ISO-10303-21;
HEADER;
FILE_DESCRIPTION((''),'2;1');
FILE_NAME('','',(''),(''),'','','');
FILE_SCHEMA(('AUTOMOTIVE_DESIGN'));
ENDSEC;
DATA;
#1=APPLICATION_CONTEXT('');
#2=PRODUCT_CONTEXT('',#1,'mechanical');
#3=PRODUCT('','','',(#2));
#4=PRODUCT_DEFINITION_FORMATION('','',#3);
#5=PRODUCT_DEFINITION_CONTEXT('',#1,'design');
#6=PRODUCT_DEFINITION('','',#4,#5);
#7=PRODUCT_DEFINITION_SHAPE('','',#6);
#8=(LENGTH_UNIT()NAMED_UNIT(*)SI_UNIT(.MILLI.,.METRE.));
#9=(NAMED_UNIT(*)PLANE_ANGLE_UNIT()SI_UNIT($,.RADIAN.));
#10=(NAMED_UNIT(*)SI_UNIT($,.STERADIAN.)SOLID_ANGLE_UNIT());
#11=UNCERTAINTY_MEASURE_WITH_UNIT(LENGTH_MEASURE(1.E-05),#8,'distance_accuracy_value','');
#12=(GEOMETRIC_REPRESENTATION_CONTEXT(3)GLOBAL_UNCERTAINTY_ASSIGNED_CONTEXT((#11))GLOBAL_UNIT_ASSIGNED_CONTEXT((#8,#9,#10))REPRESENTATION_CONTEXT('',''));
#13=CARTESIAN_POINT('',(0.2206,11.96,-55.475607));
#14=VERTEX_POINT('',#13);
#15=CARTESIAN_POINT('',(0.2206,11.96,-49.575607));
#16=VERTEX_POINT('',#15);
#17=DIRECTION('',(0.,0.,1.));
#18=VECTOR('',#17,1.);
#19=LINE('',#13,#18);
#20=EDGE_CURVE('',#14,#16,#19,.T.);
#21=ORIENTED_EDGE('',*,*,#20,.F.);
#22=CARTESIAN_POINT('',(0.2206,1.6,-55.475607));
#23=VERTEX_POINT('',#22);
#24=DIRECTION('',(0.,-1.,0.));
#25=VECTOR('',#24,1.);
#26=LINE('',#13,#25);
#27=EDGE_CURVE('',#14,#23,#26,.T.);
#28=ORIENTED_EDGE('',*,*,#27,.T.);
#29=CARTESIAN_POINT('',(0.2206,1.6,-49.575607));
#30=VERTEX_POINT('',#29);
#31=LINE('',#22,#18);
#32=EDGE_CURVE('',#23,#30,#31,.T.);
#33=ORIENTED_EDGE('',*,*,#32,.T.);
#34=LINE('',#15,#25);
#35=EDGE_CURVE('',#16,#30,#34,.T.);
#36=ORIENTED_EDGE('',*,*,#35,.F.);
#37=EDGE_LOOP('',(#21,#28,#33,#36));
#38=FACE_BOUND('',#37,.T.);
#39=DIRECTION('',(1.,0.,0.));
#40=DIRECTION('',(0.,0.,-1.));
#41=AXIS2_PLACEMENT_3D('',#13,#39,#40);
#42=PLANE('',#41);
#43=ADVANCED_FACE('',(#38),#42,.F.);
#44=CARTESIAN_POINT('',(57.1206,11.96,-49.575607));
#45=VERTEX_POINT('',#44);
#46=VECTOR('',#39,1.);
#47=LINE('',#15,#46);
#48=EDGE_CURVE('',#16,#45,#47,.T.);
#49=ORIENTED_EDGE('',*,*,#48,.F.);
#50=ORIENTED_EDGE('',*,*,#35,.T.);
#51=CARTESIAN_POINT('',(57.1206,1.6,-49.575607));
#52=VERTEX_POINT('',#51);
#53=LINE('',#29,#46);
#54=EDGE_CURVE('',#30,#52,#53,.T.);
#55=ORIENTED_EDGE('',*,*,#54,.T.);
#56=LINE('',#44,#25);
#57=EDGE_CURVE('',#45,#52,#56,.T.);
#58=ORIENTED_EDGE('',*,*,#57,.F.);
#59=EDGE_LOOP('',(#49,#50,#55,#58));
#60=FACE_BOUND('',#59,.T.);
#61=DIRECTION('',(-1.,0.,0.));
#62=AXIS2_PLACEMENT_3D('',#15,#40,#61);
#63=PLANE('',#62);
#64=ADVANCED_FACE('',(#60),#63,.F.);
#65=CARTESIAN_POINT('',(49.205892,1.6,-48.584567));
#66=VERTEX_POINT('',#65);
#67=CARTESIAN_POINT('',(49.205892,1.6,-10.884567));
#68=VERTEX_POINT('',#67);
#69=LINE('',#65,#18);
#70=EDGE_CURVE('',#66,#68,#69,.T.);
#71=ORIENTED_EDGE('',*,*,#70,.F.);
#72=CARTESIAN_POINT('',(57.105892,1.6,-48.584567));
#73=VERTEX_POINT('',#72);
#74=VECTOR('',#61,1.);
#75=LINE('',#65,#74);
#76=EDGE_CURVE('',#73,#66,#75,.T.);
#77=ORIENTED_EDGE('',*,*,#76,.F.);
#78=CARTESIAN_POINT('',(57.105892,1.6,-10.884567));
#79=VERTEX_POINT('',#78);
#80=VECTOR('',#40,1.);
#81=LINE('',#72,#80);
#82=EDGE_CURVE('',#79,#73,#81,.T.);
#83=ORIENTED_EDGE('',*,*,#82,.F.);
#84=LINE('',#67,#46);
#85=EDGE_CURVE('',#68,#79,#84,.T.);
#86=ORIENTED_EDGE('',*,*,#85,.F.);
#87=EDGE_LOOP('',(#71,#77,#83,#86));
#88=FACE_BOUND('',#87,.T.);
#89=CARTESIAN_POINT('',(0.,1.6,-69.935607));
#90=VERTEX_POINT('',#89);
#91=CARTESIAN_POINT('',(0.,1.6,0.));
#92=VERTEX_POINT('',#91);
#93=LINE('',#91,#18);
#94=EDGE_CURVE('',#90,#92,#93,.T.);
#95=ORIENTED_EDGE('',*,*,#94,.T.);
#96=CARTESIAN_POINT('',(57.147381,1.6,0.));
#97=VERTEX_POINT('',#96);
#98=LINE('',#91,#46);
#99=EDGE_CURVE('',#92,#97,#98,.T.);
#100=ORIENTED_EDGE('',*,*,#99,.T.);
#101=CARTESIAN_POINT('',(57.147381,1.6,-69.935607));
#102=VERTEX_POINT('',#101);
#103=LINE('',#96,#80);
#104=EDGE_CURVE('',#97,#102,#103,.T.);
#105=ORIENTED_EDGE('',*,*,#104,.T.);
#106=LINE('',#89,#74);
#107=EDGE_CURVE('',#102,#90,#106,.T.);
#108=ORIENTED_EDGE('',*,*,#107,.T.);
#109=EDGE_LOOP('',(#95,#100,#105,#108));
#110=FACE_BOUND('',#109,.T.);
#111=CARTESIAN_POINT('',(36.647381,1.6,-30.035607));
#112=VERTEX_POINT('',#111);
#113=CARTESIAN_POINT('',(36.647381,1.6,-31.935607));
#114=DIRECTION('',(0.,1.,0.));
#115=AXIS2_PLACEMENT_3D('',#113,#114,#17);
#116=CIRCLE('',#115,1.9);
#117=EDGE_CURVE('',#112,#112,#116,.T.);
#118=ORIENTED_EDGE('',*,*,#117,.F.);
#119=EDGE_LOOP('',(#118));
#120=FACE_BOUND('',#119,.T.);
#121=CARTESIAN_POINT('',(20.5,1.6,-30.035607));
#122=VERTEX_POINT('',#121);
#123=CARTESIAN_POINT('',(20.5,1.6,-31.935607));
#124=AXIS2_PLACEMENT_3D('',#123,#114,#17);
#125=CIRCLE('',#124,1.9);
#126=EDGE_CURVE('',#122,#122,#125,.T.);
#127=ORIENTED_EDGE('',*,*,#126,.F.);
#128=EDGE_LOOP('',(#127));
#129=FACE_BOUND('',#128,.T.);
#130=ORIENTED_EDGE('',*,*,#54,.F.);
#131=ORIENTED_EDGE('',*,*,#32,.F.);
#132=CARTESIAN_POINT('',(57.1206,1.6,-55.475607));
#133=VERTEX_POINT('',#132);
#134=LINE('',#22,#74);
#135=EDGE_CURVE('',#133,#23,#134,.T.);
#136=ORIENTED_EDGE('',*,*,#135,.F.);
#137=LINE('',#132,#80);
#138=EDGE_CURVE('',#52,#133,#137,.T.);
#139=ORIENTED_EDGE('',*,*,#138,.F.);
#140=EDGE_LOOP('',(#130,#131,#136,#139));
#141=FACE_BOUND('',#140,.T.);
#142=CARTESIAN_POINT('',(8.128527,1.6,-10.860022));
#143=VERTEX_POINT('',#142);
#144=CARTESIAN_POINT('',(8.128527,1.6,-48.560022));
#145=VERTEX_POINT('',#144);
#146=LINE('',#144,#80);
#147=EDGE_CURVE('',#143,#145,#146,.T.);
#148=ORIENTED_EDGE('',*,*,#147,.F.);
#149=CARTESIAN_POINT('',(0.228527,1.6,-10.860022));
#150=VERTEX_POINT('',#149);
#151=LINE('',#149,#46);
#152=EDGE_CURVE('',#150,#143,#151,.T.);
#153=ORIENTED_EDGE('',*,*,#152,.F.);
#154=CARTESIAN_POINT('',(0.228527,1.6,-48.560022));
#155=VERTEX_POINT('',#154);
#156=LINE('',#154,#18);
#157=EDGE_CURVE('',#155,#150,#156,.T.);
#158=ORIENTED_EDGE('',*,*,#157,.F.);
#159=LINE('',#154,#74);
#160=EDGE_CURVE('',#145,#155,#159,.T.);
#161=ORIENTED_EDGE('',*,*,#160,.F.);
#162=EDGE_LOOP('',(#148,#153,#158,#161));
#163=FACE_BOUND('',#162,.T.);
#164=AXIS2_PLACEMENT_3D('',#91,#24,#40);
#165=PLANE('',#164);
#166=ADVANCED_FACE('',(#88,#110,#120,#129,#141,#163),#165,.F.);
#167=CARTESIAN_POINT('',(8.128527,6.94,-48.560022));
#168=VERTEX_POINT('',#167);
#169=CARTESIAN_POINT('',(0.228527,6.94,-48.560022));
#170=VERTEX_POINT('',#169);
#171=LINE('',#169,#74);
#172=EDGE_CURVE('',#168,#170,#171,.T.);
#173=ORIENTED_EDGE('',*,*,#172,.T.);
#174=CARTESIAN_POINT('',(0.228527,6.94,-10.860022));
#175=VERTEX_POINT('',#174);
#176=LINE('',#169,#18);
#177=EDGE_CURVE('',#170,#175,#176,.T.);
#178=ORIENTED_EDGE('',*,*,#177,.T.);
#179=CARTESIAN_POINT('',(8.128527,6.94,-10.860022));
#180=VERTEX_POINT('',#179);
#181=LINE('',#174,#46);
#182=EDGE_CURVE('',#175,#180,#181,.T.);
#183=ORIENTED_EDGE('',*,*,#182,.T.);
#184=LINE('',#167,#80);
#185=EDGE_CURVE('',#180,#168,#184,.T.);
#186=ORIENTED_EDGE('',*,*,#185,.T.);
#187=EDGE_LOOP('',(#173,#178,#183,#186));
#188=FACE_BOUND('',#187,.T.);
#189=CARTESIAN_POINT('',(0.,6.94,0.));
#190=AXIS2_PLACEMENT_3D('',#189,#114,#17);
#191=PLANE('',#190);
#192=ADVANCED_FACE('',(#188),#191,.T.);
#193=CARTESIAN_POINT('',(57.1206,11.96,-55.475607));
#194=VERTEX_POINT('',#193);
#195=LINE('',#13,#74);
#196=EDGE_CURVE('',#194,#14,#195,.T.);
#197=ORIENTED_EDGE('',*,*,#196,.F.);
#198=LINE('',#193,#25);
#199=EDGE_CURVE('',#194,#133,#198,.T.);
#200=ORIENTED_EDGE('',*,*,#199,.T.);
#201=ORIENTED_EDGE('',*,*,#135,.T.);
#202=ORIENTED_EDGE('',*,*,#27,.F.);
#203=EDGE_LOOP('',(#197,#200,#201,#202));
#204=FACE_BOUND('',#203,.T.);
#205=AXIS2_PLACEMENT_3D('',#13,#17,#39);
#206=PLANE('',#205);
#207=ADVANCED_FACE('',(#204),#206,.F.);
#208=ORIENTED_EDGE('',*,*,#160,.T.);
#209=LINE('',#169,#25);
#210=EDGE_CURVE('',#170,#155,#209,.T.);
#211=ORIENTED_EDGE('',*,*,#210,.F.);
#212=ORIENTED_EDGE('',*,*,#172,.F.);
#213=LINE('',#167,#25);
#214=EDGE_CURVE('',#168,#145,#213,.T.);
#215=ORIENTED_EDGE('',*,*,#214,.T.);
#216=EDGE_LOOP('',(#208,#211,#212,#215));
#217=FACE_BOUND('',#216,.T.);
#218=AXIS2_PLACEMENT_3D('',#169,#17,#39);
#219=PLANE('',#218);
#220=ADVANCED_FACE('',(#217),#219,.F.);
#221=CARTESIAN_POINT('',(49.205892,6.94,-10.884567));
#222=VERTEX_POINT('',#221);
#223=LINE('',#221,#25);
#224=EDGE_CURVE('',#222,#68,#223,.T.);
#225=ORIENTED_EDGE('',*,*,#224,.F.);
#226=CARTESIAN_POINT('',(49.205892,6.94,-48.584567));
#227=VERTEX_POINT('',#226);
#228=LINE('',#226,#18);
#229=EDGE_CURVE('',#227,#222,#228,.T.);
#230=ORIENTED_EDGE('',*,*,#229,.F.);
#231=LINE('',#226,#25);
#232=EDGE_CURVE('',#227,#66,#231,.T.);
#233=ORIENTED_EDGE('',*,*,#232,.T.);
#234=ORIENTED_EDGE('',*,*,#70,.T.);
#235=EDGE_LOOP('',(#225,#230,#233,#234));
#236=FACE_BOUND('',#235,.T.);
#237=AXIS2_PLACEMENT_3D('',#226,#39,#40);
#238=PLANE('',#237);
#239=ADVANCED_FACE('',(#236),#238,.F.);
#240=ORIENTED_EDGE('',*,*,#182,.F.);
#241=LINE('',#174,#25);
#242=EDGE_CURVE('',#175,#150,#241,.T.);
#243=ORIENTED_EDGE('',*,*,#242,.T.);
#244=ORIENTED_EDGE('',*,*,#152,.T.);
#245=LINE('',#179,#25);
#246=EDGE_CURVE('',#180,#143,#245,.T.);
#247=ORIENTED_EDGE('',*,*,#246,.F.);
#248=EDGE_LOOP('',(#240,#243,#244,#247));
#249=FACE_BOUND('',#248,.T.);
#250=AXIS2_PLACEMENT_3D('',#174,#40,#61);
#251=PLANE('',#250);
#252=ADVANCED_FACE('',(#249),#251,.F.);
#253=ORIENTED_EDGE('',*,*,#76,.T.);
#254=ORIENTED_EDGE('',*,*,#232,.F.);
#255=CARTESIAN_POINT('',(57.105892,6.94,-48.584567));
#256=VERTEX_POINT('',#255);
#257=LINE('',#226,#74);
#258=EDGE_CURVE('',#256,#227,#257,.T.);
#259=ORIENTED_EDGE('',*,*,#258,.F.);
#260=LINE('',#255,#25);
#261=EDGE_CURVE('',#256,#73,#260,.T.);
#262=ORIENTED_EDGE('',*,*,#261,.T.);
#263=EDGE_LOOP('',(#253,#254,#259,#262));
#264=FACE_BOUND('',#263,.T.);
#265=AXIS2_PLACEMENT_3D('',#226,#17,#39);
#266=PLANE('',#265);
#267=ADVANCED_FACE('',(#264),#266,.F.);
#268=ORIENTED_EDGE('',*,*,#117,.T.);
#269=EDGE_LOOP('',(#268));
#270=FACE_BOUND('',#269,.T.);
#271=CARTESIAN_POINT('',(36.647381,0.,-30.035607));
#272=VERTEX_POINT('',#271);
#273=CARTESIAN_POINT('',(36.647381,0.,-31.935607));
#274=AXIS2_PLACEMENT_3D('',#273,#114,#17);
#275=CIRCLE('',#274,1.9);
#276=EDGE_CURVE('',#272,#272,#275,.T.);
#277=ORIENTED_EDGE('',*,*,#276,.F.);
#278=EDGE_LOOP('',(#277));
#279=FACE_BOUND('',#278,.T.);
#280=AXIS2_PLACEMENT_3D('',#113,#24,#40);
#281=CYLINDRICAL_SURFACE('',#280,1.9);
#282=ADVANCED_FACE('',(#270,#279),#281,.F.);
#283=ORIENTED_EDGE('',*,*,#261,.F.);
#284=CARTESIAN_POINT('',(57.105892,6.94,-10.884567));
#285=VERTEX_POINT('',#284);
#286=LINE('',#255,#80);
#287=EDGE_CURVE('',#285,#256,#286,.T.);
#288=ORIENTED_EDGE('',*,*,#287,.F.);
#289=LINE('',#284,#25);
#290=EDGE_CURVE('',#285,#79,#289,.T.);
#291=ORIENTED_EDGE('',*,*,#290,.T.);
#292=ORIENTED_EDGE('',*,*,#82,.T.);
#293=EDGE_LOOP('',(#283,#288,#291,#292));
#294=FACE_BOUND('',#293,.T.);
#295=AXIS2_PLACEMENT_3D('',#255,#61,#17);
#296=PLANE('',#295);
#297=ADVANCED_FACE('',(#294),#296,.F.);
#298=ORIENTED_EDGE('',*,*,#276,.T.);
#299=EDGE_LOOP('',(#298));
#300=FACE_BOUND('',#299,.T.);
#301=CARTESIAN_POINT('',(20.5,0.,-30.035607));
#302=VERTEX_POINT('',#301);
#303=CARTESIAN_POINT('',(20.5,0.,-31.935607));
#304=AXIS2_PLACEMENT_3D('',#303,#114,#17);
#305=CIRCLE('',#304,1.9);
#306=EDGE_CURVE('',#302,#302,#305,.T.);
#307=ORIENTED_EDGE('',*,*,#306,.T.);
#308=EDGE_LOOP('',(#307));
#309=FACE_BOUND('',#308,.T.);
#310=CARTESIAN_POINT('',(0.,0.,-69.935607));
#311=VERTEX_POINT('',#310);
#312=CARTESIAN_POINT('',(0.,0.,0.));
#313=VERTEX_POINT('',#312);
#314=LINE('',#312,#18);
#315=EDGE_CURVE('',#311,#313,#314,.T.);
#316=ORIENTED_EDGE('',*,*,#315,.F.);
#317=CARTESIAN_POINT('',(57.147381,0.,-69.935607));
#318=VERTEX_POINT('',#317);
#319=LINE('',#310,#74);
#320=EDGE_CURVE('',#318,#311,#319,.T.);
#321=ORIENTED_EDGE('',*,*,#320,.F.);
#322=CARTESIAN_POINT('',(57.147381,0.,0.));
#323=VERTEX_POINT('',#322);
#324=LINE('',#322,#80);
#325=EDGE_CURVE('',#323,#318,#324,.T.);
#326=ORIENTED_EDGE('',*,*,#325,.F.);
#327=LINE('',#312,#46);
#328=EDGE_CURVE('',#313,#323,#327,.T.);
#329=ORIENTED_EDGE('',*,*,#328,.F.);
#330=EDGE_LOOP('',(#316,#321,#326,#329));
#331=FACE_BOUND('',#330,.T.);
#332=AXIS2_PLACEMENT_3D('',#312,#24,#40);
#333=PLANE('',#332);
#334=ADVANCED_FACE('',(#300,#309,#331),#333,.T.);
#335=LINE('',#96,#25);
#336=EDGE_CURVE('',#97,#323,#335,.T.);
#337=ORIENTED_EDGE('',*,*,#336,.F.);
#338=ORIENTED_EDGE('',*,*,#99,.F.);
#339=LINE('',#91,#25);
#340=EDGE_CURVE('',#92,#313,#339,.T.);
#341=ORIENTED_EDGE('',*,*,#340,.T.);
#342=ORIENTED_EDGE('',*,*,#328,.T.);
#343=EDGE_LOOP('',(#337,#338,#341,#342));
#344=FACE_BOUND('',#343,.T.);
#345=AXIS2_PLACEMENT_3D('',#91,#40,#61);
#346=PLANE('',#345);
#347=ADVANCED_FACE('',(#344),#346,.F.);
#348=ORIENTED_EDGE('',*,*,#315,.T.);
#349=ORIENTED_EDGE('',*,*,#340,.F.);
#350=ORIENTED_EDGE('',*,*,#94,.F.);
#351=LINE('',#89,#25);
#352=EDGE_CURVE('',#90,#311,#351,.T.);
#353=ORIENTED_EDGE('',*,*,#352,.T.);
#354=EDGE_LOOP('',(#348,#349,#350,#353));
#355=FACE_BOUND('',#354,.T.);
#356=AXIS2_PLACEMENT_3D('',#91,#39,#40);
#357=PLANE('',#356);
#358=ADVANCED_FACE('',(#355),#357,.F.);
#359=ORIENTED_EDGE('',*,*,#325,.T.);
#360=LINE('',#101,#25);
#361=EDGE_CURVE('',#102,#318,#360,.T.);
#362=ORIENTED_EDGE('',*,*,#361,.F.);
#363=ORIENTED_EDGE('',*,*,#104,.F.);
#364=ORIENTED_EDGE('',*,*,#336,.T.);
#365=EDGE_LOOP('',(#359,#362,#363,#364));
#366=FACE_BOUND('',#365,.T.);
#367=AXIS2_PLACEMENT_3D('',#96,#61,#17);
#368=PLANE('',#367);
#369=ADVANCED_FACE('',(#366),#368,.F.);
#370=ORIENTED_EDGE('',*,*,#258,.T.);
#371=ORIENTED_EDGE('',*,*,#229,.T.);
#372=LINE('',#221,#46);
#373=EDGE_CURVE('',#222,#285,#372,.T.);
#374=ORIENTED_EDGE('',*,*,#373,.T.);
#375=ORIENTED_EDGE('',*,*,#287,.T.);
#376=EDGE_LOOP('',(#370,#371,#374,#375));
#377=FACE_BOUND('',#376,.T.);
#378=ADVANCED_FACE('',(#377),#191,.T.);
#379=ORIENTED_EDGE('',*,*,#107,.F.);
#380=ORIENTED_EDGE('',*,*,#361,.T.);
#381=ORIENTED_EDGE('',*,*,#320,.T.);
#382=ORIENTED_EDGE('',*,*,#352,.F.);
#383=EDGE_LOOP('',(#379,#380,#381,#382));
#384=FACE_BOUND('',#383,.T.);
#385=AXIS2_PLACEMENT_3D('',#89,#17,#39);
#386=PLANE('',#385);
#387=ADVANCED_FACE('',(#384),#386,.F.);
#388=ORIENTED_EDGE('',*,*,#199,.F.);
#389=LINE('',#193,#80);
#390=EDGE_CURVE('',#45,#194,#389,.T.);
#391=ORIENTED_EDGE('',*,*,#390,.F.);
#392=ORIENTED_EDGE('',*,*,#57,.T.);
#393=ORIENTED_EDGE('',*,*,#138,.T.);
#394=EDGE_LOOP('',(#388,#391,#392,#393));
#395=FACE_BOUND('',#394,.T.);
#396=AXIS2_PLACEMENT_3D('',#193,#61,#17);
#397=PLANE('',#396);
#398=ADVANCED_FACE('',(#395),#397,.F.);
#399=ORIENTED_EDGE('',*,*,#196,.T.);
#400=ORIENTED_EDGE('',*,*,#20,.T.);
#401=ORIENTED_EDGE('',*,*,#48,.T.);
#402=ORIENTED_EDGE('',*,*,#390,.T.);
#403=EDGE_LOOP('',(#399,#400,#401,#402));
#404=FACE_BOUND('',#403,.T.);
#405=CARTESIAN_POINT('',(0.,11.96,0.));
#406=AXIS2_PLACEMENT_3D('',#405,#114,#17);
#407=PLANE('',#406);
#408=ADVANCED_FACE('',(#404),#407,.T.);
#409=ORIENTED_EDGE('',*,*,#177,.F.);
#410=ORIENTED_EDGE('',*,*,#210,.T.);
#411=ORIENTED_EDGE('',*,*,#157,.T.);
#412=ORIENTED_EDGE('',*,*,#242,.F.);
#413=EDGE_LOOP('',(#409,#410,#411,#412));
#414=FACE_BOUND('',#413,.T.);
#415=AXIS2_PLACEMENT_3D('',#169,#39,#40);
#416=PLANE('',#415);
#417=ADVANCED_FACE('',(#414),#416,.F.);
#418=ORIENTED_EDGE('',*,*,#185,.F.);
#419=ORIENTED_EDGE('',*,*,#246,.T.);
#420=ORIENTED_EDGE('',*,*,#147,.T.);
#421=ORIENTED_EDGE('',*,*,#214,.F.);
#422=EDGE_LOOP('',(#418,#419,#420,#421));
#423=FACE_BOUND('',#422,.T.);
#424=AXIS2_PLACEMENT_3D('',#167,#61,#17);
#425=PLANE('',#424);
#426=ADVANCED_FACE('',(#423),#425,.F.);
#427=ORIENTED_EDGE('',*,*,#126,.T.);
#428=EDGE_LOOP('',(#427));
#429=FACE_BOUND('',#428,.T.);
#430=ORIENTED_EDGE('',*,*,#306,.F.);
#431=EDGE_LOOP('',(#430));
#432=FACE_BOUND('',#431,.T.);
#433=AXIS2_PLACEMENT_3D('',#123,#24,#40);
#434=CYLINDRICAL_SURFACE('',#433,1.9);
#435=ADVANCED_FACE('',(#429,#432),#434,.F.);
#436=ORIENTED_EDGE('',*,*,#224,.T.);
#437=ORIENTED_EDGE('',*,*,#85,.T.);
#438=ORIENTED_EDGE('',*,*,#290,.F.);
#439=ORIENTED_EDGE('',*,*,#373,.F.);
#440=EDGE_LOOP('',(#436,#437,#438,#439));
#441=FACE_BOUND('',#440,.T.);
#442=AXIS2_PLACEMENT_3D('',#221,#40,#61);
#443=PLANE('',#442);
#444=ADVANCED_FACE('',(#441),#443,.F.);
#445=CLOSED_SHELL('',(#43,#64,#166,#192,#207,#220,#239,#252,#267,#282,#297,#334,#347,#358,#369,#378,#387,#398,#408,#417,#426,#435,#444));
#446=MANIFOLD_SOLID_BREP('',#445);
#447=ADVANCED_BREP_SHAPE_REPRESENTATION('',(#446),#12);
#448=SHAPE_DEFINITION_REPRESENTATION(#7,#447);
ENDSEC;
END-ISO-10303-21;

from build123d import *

# Parameters (mm, degrees)
ESQUISSE1_W        = 57.14738142
ESQUISSE1_H        = 69.935606632
ESQUISSE1_R        = 1.9
BOSS_EXTRU_7_DEPTH = 1.6
ESQUISSE6_W        = 7.9
ESQUISSE6_H        = 37.7
BOSS_EXTRU_8_DEPTH = 5.34
ESQUISSE7_W        = 56.9
ESQUISSE7_H        = 5.9
BOSS_EXTRU_9_DEPTH = 10.36


with BuildPart() as part:
    # Esquisse1 → Boss.-Extru.7 (new body)
    with BuildSketch(Plane(origin=(0, 0, 0), x_dir=(1, 0, 0), z_dir=(0, 1, 0))):
        with Locations((28.57369071, 34.967803316)):
            Rectangle(ESQUISSE1_W, ESQUISSE1_H)
        with Locations((20.5, 31.935606632)):
            Circle(ESQUISSE1_R, mode=Mode.SUBTRACT)
        with Locations((36.64738142, 31.935606632)):
            Circle(ESQUISSE1_R, mode=Mode.SUBTRACT)
    extrude(amount=BOSS_EXTRU_7_DEPTH)

    # Esquisse6 → Boss.-Extru.8 (add)
    with BuildSketch(Plane(origin=(0, 1.6, 0), x_dir=(1, 0, 0), z_dir=(0, 1, 0))):
        with Locations((53.155892473, 29.734566664)):
            Rectangle(ESQUISSE6_W, ESQUISSE6_H)
        with Locations((4.178526772, 29.710022265)):
            Rectangle(ESQUISSE6_W, ESQUISSE6_H)
    extrude(amount=BOSS_EXTRU_8_DEPTH)

    # Esquisse7 → Boss.-Extru.9 (add)
    with BuildSketch(Plane(origin=(0, 1.6, 0), x_dir=(1, 0, 0), z_dir=(0, 1, 0))):
        with Locations((28.670599558, 52.525606632)):
            Rectangle(ESQUISSE7_W, ESQUISSE7_H)
    extrude(amount=BOSS_EXTRU_9_DEPTH)


solid = part.part
